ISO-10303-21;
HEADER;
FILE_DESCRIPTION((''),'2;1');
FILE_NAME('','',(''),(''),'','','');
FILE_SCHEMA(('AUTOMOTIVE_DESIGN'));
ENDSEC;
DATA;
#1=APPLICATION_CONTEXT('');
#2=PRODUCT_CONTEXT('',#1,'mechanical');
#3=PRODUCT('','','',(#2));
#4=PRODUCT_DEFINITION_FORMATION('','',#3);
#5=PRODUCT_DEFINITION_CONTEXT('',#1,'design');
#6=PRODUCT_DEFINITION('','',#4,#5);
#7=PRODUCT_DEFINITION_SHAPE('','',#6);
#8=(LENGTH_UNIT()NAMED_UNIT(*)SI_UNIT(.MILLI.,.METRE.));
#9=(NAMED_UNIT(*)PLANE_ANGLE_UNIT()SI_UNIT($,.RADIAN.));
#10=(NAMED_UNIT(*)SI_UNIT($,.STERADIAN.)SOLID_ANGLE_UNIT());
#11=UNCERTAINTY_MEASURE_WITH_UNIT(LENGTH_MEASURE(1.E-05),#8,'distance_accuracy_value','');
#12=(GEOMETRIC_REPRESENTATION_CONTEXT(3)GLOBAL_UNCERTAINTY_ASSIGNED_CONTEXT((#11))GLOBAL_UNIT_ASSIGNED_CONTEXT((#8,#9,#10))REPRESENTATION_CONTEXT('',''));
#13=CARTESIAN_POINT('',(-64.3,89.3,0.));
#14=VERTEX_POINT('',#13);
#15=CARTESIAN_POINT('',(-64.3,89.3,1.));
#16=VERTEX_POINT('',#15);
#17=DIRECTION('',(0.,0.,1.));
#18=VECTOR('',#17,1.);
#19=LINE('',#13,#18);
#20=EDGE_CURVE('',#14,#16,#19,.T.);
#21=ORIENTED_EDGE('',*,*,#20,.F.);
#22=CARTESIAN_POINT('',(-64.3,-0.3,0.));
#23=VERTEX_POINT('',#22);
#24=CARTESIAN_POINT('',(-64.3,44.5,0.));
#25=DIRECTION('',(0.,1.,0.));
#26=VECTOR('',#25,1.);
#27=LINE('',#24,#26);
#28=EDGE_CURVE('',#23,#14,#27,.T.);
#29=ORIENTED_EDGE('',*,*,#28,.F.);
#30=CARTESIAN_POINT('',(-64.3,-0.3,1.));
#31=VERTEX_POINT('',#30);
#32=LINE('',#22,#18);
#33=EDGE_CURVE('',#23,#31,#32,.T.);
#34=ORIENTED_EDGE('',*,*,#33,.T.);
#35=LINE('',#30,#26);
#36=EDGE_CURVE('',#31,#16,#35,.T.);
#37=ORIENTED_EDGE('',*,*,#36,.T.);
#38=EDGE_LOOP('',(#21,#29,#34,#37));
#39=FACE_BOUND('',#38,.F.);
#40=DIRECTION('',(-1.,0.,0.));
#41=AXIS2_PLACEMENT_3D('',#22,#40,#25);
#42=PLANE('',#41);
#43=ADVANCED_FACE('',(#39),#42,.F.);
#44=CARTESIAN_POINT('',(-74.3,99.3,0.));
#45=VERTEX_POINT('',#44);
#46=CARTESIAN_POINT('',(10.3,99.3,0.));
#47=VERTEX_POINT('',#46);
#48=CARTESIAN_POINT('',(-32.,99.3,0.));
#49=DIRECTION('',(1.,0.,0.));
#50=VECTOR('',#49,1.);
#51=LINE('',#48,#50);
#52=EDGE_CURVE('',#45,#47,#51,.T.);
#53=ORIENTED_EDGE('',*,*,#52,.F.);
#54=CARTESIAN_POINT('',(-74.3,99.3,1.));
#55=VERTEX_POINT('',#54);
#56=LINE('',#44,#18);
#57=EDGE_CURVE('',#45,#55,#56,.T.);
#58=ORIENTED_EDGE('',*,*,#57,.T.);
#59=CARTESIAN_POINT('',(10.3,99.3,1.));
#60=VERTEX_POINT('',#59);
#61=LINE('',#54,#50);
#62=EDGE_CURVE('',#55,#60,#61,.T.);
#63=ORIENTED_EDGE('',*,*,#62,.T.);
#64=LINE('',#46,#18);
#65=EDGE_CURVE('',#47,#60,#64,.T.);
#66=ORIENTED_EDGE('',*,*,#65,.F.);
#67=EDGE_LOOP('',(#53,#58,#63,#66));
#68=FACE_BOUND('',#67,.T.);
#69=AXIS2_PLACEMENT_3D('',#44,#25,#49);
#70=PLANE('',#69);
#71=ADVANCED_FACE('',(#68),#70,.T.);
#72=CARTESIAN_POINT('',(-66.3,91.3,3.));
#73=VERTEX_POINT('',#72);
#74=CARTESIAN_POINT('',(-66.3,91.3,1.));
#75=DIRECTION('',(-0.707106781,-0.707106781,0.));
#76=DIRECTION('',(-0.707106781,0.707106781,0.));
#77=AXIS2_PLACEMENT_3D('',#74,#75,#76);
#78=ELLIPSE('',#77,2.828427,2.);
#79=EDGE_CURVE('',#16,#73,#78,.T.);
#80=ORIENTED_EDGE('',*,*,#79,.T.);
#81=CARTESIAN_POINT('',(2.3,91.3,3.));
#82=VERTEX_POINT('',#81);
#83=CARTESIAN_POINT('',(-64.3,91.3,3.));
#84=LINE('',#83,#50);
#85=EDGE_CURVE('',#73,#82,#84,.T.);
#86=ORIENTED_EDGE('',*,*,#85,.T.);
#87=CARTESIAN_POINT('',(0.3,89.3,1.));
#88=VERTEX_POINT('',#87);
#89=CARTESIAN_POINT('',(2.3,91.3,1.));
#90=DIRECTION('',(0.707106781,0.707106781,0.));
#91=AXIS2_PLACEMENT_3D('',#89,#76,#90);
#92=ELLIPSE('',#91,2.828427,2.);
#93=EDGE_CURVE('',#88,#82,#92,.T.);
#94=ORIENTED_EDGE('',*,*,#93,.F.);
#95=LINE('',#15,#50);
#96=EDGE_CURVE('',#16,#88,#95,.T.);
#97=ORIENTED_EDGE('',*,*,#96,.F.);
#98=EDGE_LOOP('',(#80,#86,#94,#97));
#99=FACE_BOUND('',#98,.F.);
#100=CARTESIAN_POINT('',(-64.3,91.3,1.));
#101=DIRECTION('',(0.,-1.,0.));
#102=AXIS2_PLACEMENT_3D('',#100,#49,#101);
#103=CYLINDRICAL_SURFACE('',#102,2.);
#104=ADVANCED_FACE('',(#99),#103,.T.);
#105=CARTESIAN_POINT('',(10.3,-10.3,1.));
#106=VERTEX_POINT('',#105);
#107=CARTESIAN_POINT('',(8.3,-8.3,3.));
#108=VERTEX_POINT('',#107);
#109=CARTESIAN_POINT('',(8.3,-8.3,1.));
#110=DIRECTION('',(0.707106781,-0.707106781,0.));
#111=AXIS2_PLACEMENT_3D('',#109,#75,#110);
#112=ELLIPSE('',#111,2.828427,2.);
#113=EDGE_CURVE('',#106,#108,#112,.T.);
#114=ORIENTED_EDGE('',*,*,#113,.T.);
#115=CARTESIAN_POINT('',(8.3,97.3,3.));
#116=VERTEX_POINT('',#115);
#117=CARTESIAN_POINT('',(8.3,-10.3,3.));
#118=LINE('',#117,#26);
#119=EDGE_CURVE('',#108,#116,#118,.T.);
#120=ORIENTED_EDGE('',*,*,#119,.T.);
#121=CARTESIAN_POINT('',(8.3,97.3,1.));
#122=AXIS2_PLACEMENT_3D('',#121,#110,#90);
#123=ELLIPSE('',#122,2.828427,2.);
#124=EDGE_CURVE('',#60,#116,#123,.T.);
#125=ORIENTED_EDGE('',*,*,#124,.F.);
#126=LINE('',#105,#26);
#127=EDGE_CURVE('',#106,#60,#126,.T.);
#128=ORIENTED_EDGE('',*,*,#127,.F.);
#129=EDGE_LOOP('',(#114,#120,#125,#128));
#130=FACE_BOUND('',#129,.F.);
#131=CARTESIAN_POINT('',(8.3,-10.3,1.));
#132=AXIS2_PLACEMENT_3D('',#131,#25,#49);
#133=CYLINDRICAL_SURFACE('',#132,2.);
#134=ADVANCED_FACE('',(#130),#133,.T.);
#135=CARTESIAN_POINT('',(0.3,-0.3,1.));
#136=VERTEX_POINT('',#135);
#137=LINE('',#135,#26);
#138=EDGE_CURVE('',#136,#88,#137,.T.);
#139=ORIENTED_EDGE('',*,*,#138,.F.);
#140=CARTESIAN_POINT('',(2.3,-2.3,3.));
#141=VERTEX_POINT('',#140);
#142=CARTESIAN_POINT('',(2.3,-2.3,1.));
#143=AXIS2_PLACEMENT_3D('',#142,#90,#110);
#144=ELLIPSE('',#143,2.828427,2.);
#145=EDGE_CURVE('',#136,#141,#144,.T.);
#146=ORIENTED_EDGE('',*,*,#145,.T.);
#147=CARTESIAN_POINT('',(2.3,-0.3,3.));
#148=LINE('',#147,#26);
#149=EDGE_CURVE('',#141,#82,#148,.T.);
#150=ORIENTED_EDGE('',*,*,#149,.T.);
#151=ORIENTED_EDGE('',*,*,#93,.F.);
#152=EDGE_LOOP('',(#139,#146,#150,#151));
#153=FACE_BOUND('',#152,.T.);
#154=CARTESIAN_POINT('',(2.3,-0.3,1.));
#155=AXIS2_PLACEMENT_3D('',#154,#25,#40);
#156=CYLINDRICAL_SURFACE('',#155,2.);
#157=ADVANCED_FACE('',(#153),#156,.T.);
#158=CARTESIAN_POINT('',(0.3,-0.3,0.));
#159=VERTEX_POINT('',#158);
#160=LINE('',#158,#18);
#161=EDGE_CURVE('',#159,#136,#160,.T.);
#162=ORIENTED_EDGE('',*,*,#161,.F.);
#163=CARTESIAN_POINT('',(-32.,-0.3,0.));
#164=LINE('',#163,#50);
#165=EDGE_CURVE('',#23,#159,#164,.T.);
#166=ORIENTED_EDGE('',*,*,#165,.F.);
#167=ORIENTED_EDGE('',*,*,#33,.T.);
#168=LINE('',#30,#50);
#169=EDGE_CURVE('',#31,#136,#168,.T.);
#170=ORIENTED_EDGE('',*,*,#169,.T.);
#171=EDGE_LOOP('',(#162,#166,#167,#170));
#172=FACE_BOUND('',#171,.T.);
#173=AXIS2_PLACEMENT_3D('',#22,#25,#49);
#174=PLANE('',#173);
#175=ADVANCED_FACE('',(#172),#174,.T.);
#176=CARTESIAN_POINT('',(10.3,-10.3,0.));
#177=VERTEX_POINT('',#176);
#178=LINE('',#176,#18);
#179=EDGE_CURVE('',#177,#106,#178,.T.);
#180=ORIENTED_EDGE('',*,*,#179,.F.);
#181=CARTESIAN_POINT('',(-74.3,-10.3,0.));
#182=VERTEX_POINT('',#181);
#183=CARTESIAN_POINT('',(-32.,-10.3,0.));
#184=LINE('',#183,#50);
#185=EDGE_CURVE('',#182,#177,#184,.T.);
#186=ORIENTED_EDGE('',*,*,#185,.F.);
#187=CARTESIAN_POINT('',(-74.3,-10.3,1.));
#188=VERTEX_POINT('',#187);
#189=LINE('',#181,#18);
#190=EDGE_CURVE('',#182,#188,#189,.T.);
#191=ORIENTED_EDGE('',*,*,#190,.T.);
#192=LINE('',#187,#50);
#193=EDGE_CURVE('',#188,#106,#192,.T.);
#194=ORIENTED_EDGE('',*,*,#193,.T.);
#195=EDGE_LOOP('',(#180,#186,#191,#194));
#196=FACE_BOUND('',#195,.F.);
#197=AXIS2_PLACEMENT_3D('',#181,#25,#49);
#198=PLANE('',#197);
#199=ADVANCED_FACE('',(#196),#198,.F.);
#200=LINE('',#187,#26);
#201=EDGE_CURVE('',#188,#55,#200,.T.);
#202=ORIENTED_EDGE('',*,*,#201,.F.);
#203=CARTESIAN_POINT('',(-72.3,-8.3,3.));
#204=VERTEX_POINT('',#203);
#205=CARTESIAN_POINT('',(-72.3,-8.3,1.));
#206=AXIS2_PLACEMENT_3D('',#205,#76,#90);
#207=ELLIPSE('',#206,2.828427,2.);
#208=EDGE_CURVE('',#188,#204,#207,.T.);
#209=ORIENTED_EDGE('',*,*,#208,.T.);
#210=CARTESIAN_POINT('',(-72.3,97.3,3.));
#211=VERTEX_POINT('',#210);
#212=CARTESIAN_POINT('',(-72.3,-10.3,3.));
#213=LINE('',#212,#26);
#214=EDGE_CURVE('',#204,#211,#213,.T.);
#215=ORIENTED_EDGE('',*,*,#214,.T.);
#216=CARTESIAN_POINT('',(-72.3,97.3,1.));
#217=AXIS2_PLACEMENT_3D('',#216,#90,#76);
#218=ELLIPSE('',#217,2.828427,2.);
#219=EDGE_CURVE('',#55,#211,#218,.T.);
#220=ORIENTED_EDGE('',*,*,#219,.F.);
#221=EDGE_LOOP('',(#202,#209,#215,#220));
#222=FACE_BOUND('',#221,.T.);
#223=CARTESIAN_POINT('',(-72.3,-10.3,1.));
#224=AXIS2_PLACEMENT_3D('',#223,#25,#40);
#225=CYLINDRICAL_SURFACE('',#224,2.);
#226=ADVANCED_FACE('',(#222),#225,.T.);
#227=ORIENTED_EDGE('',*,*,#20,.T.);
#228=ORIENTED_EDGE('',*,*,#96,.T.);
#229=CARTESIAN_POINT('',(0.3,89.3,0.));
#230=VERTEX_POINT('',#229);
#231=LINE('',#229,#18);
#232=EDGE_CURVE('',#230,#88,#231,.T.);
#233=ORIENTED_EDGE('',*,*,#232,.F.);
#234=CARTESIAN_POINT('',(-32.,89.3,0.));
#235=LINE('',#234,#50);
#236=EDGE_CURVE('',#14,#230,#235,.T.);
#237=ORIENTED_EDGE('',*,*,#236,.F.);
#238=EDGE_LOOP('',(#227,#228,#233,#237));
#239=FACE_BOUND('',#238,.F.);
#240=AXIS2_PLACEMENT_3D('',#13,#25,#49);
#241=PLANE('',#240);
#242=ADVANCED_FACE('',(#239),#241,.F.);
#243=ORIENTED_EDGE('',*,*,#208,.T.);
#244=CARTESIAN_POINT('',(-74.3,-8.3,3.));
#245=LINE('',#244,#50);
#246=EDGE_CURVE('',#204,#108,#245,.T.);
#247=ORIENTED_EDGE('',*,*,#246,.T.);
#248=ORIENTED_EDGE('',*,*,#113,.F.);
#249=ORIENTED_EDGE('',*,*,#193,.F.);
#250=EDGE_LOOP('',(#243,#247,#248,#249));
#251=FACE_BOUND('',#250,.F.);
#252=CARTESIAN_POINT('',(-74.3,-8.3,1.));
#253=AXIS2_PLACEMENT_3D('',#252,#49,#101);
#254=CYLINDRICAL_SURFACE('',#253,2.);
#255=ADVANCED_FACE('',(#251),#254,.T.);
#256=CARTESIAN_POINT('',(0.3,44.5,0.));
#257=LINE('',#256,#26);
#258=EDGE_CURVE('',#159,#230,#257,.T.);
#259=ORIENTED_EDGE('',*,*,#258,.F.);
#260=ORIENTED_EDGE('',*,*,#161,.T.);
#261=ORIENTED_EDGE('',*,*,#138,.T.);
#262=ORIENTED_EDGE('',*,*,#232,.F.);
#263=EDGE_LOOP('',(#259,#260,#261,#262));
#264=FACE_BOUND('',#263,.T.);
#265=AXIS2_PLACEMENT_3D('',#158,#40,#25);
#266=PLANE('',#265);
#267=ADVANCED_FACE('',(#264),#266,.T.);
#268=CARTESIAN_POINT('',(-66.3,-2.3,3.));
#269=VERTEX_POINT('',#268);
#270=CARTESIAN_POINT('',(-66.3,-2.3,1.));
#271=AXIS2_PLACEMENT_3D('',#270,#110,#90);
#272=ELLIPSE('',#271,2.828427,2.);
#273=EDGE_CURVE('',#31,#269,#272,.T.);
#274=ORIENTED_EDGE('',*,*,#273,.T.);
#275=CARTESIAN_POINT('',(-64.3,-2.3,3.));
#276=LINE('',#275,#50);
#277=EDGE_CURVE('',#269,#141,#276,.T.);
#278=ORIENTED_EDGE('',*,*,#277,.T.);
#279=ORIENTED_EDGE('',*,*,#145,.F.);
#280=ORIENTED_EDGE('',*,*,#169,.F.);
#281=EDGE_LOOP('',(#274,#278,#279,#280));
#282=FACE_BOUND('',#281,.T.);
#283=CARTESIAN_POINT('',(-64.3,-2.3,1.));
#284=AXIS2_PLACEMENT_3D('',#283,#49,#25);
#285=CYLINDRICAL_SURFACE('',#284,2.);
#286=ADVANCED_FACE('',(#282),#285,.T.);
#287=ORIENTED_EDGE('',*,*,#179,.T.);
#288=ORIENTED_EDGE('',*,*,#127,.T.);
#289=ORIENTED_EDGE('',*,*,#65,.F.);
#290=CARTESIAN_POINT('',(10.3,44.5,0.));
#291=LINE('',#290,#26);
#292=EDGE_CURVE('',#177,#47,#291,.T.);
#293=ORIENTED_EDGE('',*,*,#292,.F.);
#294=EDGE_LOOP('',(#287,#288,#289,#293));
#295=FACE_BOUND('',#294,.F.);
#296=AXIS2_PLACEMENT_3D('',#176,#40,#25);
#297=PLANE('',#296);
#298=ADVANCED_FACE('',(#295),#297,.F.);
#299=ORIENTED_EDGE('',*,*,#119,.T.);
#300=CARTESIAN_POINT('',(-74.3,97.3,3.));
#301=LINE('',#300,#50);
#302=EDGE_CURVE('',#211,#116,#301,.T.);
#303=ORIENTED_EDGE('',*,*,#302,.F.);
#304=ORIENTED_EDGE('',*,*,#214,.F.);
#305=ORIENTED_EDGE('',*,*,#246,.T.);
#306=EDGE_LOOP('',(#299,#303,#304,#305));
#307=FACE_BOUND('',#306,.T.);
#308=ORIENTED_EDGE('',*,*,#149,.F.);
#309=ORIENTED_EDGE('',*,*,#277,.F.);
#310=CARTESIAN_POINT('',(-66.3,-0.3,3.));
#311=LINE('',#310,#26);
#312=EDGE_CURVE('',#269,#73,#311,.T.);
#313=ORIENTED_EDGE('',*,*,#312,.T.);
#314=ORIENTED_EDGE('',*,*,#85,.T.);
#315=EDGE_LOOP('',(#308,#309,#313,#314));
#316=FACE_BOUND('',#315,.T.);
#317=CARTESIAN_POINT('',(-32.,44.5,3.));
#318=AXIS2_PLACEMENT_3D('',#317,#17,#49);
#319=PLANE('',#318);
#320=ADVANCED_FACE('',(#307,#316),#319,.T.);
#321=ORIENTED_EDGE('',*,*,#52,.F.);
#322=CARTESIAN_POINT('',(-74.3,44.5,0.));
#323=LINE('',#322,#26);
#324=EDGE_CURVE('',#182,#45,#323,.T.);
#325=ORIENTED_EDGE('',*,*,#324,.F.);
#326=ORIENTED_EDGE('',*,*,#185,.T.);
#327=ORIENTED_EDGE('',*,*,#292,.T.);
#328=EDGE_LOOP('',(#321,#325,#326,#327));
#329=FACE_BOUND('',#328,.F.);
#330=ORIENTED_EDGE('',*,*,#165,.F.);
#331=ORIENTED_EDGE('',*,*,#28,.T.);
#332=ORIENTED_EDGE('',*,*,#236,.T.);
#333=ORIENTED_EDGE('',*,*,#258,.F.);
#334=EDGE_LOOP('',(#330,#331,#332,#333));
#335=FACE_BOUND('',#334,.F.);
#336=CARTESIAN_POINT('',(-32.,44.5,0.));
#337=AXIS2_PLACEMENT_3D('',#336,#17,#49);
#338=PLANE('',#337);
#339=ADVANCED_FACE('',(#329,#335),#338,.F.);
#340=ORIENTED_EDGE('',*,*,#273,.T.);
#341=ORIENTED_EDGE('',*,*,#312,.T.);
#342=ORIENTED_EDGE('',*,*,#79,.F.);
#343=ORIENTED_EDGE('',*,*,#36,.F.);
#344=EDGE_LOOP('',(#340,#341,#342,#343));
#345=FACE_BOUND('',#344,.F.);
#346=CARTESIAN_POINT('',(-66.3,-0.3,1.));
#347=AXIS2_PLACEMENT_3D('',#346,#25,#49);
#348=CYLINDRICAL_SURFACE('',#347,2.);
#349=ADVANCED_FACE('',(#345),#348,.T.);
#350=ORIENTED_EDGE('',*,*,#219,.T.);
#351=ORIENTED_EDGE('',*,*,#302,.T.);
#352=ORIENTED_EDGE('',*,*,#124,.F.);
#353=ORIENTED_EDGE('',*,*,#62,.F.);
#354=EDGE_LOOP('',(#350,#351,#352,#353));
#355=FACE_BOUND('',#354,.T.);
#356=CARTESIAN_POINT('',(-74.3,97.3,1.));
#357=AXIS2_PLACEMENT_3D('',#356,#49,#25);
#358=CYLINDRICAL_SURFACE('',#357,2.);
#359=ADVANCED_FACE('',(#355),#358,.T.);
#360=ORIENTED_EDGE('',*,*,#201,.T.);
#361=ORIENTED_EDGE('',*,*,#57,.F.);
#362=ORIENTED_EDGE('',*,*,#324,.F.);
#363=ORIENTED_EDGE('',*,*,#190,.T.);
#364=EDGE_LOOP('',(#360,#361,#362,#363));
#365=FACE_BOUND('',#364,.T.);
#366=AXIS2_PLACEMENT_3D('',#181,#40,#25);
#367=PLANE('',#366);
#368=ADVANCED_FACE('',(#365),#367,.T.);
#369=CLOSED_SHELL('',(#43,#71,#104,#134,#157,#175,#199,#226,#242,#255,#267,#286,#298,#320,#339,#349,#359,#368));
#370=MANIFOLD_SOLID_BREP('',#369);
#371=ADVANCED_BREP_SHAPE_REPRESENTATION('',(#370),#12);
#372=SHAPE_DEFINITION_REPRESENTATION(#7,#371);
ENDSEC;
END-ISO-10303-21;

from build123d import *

# Parameters (mm, degrees)
F0_W     = 84.6
F0_H     = 109.6
F0_W_2   = 64.6
F0_H_2   = 89.6
F1_DEPTH = 3
F2_R     = 2


with BuildPart() as f1:
    # F0 (on Top) → F1 (new body)
    with BuildSketch(Plane.XY):
        with Locations((-32, 44.5)):
            Rectangle(F0_W, F0_H)
        with Locations((-32, 44.5)):
            Rectangle(F0_W_2, F0_H_2, mode=Mode.SUBTRACT)
    extrude(amount=F1_DEPTH)

    # F2
    f2_edges = [f1.edges().sort_by_distance(p)[0] for p in [
        (-74.3, 44.5, 3),
        (-32, -10.3, 3),
        (10.3, 44.5, 3),
        (-32, 99.3, 3),
        (-32, -0.3, 3),
        (-64.3, 44.5, 3),
        (-32, 89.3, 3),
        (0.3, 44.5, 3),
    ]]
    fillet(f2_edges, radius=F2_R)


solid = f1.part
